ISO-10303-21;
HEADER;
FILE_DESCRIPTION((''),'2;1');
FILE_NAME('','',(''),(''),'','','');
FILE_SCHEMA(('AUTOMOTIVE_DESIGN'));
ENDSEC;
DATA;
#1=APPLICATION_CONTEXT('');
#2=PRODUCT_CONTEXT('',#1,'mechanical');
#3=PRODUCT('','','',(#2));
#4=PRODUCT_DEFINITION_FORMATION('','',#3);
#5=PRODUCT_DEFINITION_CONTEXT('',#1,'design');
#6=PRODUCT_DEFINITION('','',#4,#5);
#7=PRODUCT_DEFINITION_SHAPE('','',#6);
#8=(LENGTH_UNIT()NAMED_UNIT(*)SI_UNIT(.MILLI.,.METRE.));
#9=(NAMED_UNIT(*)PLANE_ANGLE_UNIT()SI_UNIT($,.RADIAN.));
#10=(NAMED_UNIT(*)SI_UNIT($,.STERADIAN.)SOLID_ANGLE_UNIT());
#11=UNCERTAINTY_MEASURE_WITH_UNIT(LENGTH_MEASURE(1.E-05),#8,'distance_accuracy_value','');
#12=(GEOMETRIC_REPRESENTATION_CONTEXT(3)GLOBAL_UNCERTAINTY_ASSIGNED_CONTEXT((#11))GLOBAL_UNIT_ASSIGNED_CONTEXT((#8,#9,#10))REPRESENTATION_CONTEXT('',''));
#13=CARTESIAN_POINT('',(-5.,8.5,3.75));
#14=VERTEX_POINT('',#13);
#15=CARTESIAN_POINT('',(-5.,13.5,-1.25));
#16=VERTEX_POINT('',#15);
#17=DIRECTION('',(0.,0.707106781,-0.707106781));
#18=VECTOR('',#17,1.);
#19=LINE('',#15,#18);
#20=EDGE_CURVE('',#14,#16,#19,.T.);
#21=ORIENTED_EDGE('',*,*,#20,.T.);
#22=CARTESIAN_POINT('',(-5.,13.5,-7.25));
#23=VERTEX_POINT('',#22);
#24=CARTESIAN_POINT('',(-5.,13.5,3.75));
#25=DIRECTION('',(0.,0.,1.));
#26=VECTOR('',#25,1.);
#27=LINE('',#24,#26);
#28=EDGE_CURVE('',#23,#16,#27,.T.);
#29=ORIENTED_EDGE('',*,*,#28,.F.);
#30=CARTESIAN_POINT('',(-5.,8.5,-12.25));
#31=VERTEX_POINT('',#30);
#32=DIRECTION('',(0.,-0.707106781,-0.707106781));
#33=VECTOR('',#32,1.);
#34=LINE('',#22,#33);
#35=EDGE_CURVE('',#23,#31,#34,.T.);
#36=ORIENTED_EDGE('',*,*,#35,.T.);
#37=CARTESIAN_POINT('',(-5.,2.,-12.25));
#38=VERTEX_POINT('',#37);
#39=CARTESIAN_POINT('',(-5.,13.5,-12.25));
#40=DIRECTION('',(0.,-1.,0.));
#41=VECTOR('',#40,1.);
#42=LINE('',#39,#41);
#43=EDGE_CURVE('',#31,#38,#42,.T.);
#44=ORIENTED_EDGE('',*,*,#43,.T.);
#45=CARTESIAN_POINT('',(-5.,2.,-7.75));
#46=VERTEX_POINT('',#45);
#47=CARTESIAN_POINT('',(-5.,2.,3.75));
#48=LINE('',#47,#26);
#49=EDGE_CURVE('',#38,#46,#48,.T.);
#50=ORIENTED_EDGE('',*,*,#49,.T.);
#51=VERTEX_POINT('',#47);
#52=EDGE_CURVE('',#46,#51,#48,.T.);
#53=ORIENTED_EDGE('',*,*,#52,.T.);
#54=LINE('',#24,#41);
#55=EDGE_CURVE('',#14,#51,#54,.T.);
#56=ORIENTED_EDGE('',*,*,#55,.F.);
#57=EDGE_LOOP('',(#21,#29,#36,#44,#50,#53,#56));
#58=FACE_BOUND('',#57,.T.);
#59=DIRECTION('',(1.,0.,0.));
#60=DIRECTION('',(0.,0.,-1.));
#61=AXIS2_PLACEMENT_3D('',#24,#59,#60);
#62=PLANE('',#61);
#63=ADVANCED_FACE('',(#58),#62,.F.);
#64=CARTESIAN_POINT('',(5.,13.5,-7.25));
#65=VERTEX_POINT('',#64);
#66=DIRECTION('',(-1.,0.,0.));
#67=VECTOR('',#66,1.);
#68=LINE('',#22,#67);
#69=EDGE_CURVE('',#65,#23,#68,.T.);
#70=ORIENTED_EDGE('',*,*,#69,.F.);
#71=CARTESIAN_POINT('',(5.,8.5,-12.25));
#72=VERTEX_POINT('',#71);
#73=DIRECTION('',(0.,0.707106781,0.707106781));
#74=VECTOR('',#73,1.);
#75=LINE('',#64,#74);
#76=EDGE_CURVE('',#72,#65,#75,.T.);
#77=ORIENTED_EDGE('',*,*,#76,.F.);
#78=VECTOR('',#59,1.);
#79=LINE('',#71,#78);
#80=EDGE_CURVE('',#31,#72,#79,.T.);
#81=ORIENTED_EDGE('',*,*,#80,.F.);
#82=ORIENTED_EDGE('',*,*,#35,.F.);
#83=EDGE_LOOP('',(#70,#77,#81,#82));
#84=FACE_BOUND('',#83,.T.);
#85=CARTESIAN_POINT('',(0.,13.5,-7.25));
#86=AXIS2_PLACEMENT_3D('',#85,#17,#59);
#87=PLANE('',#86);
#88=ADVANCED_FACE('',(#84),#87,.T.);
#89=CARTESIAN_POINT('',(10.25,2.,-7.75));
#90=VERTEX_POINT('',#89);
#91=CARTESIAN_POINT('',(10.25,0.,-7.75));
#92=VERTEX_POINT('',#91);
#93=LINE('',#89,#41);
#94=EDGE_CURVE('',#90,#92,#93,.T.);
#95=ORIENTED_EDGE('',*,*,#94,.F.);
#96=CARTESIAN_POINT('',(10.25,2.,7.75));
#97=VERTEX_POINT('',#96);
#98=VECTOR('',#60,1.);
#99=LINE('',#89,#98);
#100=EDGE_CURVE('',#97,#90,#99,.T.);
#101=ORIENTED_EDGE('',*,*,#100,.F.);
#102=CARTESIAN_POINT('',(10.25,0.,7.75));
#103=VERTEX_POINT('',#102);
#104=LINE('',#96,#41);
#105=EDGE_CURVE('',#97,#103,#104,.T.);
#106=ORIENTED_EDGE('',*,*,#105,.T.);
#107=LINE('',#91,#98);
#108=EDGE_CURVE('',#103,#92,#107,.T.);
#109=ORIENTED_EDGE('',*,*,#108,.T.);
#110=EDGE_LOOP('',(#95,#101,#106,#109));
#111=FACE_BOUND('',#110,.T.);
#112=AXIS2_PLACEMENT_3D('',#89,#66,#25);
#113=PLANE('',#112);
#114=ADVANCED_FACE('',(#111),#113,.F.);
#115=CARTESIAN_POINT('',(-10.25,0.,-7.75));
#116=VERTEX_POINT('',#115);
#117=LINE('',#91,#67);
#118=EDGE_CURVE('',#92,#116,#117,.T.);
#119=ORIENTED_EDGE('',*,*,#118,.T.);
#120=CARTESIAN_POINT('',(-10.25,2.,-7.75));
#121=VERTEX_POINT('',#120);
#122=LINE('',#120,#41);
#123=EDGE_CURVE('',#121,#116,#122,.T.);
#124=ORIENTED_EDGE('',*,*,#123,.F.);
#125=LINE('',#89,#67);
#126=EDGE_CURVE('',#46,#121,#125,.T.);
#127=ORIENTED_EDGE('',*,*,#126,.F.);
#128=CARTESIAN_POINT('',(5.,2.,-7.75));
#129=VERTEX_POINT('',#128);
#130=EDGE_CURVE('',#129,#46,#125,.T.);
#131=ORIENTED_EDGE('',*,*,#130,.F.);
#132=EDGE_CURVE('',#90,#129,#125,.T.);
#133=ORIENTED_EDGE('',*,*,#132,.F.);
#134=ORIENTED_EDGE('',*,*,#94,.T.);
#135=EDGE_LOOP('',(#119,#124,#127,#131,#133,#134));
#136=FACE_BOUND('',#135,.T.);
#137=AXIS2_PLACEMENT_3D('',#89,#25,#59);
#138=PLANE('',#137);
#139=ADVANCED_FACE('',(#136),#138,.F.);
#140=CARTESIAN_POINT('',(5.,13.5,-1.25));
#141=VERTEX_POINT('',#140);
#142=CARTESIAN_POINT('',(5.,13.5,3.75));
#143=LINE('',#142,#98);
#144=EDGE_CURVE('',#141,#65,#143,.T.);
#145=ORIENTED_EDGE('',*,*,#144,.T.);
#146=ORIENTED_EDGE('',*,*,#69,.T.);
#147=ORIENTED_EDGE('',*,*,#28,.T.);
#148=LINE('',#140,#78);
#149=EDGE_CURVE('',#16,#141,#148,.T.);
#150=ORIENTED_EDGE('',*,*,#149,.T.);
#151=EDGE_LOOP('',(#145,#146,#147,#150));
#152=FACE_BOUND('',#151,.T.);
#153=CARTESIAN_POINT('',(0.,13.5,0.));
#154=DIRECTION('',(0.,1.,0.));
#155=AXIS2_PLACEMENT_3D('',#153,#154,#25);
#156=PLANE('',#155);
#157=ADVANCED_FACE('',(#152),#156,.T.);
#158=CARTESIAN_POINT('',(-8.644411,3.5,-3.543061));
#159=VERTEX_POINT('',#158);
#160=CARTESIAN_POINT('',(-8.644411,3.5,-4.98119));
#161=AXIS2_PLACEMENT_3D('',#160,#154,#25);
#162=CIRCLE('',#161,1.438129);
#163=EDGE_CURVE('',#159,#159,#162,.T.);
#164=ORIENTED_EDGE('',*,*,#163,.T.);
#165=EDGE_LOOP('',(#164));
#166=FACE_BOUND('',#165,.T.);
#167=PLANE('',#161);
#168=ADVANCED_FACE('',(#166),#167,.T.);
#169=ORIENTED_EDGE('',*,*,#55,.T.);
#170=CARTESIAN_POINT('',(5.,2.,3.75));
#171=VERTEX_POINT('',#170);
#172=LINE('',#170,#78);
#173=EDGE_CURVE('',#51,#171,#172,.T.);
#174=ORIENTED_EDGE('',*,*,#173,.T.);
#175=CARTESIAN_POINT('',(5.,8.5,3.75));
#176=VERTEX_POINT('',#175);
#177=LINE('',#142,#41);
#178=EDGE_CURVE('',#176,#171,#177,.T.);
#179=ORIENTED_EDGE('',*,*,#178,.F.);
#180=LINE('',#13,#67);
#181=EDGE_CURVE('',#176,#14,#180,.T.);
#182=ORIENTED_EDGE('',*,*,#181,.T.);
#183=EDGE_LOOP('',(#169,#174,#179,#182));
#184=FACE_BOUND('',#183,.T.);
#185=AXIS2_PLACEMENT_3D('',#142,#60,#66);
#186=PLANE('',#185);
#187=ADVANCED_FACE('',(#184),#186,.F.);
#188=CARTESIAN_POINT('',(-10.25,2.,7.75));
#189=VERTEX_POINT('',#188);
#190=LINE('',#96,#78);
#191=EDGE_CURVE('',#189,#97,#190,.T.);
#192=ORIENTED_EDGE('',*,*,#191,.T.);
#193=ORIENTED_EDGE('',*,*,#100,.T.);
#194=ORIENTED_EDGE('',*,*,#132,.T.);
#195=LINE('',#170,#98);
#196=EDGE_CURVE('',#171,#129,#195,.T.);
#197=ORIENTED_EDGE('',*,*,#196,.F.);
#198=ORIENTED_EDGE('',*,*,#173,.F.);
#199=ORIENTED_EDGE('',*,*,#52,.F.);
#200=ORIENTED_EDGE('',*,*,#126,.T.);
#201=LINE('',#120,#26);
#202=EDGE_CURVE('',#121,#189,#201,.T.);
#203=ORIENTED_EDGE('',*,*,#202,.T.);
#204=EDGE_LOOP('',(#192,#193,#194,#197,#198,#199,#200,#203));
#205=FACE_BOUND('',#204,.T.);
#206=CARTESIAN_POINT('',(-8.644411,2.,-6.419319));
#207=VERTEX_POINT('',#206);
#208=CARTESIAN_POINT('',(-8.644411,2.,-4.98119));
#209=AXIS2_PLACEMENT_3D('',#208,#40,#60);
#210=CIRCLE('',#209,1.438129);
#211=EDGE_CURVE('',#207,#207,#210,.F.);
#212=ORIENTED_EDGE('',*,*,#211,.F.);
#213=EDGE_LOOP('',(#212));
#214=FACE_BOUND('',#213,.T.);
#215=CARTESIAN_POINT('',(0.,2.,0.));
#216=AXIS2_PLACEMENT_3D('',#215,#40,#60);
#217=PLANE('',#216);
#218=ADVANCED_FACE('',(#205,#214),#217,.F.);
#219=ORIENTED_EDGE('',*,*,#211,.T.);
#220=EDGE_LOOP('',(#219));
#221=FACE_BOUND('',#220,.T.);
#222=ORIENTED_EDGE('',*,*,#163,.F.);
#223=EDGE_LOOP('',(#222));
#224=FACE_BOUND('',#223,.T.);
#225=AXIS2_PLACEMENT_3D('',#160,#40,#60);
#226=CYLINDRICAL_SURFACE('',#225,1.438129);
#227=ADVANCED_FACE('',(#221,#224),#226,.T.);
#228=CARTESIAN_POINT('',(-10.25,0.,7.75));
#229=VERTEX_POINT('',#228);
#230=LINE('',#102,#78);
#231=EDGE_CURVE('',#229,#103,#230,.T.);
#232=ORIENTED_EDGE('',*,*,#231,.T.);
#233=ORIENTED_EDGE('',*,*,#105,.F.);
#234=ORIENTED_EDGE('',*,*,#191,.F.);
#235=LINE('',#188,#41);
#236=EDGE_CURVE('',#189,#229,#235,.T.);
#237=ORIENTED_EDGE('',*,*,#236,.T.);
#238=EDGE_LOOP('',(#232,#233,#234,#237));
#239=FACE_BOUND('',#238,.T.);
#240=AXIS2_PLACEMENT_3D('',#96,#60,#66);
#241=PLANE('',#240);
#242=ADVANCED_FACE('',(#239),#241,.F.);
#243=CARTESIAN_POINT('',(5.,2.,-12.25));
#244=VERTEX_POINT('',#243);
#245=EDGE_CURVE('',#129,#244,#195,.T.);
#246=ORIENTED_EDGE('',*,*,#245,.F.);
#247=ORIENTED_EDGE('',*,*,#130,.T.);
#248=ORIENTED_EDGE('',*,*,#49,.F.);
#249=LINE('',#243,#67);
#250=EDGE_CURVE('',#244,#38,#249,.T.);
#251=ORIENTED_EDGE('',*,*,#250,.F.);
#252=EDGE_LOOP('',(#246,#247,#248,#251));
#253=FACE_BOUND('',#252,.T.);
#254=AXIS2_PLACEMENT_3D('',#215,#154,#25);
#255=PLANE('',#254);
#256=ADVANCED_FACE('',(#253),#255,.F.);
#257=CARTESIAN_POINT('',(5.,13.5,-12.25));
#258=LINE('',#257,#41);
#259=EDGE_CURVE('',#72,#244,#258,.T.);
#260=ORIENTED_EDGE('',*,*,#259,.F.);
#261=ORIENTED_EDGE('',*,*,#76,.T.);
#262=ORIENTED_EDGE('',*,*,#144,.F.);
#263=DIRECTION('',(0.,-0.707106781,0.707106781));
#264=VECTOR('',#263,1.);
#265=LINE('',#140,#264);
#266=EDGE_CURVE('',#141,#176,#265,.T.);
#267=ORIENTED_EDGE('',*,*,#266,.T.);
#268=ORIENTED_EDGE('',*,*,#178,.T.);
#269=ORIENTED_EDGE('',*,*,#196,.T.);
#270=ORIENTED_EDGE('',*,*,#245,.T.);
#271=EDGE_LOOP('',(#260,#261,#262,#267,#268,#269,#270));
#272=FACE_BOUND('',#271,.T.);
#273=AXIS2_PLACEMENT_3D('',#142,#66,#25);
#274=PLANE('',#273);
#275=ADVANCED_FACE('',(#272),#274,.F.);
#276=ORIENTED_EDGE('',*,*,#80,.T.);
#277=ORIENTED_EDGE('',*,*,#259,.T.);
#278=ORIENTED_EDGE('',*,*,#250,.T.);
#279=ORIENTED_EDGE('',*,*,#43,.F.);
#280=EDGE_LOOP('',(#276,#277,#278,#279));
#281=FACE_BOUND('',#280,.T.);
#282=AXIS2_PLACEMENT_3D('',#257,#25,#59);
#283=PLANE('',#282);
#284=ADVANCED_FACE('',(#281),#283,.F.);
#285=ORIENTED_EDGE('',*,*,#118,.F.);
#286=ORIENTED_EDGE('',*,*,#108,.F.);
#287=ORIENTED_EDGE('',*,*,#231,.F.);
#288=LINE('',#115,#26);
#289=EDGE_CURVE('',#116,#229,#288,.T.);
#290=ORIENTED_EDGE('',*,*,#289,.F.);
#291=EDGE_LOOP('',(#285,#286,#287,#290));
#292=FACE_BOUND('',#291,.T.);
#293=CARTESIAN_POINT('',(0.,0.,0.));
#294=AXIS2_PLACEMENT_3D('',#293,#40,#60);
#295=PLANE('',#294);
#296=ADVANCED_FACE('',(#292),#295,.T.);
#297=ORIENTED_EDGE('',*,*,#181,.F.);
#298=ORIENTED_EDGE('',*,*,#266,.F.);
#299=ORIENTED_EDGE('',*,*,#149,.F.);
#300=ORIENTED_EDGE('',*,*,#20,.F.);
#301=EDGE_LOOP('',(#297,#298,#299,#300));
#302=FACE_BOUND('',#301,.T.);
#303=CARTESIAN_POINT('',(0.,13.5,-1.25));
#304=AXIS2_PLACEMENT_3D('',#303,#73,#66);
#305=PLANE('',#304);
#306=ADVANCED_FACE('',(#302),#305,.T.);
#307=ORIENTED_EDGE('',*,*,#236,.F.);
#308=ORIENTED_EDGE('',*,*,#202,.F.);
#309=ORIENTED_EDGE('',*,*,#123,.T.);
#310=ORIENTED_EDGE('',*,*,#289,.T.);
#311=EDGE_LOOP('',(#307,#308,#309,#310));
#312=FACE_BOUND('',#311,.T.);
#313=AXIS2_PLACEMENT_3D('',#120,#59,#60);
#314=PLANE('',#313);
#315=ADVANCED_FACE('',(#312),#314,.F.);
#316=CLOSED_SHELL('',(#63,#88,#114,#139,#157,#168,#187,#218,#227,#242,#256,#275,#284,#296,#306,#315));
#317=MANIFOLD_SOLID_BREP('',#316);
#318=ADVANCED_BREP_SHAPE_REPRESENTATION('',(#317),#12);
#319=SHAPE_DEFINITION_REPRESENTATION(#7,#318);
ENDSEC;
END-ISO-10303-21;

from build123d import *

# Parameters (mm, degrees)
SKETCH1_W           = 20.5
SKETCH1_H           = 15.5
BOSS_EXTRUDE1_DEPTH = 2
SKETCH3_W           = 10
SKETCH3_H           = 16
BOSS_EXTRUDE3_DEPTH = 11.5
SKETCH4_R           = 1.43812907
BOSS_EXTRUDE5_DEPTH = 1.5
CHAMFER1_SIZE       = 5


with BuildPart() as part:
    # Sketch1 → Boss-Extrude1 (new body)
    with BuildSketch(Plane(origin=(0, 0, 0), x_dir=(1, 0, 0), z_dir=(0, 1, 0))):
        Rectangle(SKETCH1_W, SKETCH1_H)
    extrude(amount=BOSS_EXTRUDE1_DEPTH)

    # Sketch3 → Boss-Extrude3 (add)
    with BuildSketch(Plane(origin=(0, 2, 0), x_dir=(1, 0, 0), z_dir=(0, 1, 0))):
        with Locations((0, 4.25)):
            Rectangle(SKETCH3_W, SKETCH3_H)
    extrude(amount=BOSS_EXTRUDE3_DEPTH)

    # Sketch4 → Boss-Extrude5 (add)
    with BuildSketch(Plane(origin=(0, 2, 0), x_dir=(1, 0, 0), z_dir=(0, 1, 0))):
        with Locations(Location((-8.644410723, 4.981189745, 0), (0, 0, 90))):
            Circle(SKETCH4_R)
    extrude(amount=BOSS_EXTRUDE5_DEPTH)

    # Chamfer1
    chamfer1_edges = [part.edges().sort_by_distance(p)[0] for p in [
        (0, 13.5, 3.75),
        (0, 13.5, -12.25),
    ]]
    chamfer(chamfer1_edges, length=CHAMFER1_SIZE)


solid = part.part
